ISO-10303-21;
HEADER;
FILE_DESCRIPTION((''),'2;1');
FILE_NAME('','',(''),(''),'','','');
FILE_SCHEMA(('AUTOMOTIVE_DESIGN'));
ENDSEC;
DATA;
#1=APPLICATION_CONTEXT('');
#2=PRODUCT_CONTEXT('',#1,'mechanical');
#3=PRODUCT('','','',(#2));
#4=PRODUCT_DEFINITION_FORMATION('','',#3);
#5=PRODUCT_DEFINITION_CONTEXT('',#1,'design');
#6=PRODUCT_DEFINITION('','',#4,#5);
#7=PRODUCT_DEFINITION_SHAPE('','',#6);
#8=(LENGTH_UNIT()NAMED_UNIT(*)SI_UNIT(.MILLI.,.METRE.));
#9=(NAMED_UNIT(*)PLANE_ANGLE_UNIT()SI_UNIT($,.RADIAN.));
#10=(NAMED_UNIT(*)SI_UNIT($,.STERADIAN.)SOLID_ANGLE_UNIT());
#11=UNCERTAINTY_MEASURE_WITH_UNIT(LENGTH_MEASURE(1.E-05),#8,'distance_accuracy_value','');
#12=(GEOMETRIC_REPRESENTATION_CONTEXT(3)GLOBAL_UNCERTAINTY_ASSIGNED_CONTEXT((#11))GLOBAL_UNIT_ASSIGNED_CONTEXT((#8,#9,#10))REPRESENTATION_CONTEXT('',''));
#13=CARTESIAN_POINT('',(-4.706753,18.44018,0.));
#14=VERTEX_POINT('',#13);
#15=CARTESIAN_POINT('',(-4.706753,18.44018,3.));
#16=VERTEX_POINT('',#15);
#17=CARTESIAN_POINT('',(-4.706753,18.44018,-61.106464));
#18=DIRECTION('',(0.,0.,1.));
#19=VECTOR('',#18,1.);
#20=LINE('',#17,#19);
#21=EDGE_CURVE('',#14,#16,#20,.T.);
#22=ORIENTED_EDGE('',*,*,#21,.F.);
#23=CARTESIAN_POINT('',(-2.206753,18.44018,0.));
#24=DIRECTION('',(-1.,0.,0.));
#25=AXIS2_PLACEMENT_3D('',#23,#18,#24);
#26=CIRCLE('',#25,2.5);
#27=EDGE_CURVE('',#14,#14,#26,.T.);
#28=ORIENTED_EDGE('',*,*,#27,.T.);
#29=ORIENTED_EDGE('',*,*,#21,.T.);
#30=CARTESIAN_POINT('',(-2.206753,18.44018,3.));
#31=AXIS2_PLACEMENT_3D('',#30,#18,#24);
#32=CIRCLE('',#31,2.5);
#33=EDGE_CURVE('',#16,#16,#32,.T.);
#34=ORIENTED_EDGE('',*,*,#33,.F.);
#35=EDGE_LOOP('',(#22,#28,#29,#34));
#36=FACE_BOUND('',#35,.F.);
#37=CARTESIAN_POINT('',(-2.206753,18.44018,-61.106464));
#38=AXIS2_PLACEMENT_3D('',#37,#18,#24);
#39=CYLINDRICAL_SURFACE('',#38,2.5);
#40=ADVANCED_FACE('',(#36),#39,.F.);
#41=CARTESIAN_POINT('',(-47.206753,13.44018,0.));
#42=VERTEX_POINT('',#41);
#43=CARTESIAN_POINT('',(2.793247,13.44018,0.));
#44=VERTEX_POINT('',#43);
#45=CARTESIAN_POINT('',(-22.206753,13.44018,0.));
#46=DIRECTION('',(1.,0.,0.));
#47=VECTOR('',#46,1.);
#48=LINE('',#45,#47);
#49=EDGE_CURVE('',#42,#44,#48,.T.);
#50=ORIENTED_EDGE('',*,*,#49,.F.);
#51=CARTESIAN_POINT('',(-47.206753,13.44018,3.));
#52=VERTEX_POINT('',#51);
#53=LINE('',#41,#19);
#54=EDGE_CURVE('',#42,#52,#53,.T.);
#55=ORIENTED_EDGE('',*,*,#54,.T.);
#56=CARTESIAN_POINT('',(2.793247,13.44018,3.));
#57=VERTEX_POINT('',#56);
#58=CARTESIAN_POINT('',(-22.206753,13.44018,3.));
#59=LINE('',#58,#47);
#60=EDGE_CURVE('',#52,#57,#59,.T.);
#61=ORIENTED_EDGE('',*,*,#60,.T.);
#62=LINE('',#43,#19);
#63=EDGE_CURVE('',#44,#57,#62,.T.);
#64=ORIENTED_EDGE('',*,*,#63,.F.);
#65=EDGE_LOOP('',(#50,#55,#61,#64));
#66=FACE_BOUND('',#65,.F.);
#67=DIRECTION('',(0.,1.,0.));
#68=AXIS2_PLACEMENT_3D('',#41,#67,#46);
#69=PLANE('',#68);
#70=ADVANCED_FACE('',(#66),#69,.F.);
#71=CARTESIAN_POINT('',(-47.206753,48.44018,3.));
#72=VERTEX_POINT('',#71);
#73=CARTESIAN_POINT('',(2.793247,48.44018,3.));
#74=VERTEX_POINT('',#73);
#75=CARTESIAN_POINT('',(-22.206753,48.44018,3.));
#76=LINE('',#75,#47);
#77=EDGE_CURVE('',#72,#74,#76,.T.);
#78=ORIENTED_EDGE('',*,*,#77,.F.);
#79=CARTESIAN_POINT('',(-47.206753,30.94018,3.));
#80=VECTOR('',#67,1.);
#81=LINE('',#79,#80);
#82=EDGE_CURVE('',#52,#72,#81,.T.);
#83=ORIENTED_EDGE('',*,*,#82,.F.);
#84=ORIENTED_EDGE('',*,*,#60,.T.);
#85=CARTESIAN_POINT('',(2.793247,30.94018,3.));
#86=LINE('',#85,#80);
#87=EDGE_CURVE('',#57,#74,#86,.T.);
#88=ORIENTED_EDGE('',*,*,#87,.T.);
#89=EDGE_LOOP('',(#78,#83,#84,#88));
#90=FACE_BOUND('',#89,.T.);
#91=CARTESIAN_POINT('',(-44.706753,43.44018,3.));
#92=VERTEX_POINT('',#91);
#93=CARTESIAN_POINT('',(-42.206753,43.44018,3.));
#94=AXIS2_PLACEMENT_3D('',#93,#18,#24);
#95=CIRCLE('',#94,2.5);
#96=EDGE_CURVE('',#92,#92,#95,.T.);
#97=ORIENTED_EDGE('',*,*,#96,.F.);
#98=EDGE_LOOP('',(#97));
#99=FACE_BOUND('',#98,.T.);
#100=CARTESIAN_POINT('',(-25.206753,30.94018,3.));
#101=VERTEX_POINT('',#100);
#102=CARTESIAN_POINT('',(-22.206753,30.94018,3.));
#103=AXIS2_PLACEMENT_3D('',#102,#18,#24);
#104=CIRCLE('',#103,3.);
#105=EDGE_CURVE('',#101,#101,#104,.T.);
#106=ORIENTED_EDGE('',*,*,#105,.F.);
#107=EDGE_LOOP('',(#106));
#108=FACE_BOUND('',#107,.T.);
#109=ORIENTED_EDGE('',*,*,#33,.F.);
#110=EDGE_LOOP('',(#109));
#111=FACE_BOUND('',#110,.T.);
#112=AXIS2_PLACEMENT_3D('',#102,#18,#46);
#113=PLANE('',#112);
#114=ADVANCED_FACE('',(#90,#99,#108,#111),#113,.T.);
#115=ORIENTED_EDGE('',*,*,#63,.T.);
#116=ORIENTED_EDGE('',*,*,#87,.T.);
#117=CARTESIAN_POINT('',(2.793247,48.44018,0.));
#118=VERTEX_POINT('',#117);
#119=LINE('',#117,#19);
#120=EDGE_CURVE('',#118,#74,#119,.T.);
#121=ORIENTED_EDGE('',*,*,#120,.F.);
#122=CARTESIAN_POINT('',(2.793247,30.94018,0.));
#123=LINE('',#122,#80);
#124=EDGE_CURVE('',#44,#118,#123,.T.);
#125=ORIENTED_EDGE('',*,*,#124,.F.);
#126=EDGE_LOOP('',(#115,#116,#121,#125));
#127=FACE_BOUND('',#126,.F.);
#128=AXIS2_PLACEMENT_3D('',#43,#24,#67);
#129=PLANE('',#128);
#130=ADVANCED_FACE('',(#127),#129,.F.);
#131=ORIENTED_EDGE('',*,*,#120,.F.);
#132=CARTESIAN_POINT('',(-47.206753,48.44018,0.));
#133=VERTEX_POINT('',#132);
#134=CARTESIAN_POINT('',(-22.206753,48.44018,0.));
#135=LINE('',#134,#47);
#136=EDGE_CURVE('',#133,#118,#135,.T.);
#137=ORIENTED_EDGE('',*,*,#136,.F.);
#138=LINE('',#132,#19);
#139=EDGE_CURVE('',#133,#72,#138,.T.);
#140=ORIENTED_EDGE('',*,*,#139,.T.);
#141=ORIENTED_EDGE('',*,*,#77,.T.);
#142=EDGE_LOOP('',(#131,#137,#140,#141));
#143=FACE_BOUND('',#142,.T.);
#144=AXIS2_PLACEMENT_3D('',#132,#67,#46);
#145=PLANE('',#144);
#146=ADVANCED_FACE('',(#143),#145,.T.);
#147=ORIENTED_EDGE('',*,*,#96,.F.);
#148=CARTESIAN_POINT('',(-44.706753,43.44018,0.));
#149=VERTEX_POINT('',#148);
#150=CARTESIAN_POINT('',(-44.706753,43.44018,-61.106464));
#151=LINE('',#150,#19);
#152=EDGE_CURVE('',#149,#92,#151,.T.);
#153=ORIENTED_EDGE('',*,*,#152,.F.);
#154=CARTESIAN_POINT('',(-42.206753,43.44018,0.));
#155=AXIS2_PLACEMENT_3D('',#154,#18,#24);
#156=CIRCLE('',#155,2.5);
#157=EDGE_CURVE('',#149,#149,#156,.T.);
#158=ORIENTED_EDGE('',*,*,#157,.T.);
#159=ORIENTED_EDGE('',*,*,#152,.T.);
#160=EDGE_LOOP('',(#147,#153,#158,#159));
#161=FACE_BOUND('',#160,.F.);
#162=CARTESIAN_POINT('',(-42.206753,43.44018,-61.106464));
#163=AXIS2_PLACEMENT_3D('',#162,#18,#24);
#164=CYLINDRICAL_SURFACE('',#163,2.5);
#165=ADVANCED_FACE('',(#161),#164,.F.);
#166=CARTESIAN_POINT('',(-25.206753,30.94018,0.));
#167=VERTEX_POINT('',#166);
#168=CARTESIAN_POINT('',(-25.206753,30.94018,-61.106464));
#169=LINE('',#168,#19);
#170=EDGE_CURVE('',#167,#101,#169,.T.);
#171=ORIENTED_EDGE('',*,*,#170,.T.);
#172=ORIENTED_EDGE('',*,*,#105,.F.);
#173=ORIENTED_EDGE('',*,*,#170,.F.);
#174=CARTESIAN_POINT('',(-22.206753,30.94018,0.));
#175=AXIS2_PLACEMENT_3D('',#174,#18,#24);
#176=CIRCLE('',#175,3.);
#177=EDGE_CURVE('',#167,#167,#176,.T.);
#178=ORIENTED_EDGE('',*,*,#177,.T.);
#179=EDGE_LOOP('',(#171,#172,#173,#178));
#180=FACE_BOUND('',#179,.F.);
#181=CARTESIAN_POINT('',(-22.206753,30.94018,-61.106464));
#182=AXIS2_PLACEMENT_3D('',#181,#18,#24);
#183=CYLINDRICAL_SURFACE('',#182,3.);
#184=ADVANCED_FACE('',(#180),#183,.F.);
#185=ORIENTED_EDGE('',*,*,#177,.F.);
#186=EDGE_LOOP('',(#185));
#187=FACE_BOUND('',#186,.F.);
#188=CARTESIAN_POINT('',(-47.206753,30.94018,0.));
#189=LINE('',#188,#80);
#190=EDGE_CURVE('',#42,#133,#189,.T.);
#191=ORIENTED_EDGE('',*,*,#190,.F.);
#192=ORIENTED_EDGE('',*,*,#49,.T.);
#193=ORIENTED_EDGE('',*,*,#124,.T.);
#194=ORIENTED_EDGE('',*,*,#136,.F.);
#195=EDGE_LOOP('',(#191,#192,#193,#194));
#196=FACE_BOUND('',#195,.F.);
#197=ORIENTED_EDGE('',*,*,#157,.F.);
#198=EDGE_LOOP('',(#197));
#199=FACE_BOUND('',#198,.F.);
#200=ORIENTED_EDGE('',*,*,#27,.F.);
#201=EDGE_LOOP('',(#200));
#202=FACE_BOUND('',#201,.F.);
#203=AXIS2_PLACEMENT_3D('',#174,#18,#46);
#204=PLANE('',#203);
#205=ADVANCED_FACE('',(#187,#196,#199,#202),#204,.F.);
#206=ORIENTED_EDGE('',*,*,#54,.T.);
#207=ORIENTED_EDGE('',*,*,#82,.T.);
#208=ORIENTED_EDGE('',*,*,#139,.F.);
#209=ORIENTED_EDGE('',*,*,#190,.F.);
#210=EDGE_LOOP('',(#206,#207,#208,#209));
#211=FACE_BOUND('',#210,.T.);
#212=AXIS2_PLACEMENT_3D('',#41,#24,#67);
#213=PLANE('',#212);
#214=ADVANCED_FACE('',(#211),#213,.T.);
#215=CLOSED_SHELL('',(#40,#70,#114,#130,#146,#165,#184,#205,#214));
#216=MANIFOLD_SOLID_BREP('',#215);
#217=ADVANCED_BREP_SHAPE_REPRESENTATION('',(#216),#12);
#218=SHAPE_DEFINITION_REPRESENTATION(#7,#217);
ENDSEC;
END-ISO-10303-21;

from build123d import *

# Parameters (mm, degrees)
F0_W     = 50
F0_H     = 35
F1_DEPTH = 3
F2_D     = 6
F3_D     = 5
F4_D     = 5


with BuildPart() as f1:
    # F0 (on Top) → F1 (new body)
    with BuildSketch(Plane.XY):
        with Locations((-22.2067534924, 30.9401798017)):
            Rectangle(F0_W, F0_H)
    extrude(amount=F1_DEPTH)

    # F2 (through all)
    with Locations(Plane(origin=(0, 0, 0), x_dir=(1, 0, 0), z_dir=(0, 0, -1))):
        with Locations((-22.2067534924, -30.9401798017)):
            Hole(F2_D / 2)

    # F3 (through all)
    with Locations(Plane(origin=(0, 0, 0), x_dir=(1, 0, 0), z_dir=(0, 0, -1))):
        with Locations((-2.2067534924, -18.4401798017)):
            Hole(F3_D / 2)

    # F4 (through all)
    with Locations(Plane(origin=(0, 0, 0), x_dir=(1, 0, 0), z_dir=(0, 0, -1))):
        with Locations((-42.2067534924, -43.4401798017)):
            Hole(F4_D / 2)


solid = f1.part
